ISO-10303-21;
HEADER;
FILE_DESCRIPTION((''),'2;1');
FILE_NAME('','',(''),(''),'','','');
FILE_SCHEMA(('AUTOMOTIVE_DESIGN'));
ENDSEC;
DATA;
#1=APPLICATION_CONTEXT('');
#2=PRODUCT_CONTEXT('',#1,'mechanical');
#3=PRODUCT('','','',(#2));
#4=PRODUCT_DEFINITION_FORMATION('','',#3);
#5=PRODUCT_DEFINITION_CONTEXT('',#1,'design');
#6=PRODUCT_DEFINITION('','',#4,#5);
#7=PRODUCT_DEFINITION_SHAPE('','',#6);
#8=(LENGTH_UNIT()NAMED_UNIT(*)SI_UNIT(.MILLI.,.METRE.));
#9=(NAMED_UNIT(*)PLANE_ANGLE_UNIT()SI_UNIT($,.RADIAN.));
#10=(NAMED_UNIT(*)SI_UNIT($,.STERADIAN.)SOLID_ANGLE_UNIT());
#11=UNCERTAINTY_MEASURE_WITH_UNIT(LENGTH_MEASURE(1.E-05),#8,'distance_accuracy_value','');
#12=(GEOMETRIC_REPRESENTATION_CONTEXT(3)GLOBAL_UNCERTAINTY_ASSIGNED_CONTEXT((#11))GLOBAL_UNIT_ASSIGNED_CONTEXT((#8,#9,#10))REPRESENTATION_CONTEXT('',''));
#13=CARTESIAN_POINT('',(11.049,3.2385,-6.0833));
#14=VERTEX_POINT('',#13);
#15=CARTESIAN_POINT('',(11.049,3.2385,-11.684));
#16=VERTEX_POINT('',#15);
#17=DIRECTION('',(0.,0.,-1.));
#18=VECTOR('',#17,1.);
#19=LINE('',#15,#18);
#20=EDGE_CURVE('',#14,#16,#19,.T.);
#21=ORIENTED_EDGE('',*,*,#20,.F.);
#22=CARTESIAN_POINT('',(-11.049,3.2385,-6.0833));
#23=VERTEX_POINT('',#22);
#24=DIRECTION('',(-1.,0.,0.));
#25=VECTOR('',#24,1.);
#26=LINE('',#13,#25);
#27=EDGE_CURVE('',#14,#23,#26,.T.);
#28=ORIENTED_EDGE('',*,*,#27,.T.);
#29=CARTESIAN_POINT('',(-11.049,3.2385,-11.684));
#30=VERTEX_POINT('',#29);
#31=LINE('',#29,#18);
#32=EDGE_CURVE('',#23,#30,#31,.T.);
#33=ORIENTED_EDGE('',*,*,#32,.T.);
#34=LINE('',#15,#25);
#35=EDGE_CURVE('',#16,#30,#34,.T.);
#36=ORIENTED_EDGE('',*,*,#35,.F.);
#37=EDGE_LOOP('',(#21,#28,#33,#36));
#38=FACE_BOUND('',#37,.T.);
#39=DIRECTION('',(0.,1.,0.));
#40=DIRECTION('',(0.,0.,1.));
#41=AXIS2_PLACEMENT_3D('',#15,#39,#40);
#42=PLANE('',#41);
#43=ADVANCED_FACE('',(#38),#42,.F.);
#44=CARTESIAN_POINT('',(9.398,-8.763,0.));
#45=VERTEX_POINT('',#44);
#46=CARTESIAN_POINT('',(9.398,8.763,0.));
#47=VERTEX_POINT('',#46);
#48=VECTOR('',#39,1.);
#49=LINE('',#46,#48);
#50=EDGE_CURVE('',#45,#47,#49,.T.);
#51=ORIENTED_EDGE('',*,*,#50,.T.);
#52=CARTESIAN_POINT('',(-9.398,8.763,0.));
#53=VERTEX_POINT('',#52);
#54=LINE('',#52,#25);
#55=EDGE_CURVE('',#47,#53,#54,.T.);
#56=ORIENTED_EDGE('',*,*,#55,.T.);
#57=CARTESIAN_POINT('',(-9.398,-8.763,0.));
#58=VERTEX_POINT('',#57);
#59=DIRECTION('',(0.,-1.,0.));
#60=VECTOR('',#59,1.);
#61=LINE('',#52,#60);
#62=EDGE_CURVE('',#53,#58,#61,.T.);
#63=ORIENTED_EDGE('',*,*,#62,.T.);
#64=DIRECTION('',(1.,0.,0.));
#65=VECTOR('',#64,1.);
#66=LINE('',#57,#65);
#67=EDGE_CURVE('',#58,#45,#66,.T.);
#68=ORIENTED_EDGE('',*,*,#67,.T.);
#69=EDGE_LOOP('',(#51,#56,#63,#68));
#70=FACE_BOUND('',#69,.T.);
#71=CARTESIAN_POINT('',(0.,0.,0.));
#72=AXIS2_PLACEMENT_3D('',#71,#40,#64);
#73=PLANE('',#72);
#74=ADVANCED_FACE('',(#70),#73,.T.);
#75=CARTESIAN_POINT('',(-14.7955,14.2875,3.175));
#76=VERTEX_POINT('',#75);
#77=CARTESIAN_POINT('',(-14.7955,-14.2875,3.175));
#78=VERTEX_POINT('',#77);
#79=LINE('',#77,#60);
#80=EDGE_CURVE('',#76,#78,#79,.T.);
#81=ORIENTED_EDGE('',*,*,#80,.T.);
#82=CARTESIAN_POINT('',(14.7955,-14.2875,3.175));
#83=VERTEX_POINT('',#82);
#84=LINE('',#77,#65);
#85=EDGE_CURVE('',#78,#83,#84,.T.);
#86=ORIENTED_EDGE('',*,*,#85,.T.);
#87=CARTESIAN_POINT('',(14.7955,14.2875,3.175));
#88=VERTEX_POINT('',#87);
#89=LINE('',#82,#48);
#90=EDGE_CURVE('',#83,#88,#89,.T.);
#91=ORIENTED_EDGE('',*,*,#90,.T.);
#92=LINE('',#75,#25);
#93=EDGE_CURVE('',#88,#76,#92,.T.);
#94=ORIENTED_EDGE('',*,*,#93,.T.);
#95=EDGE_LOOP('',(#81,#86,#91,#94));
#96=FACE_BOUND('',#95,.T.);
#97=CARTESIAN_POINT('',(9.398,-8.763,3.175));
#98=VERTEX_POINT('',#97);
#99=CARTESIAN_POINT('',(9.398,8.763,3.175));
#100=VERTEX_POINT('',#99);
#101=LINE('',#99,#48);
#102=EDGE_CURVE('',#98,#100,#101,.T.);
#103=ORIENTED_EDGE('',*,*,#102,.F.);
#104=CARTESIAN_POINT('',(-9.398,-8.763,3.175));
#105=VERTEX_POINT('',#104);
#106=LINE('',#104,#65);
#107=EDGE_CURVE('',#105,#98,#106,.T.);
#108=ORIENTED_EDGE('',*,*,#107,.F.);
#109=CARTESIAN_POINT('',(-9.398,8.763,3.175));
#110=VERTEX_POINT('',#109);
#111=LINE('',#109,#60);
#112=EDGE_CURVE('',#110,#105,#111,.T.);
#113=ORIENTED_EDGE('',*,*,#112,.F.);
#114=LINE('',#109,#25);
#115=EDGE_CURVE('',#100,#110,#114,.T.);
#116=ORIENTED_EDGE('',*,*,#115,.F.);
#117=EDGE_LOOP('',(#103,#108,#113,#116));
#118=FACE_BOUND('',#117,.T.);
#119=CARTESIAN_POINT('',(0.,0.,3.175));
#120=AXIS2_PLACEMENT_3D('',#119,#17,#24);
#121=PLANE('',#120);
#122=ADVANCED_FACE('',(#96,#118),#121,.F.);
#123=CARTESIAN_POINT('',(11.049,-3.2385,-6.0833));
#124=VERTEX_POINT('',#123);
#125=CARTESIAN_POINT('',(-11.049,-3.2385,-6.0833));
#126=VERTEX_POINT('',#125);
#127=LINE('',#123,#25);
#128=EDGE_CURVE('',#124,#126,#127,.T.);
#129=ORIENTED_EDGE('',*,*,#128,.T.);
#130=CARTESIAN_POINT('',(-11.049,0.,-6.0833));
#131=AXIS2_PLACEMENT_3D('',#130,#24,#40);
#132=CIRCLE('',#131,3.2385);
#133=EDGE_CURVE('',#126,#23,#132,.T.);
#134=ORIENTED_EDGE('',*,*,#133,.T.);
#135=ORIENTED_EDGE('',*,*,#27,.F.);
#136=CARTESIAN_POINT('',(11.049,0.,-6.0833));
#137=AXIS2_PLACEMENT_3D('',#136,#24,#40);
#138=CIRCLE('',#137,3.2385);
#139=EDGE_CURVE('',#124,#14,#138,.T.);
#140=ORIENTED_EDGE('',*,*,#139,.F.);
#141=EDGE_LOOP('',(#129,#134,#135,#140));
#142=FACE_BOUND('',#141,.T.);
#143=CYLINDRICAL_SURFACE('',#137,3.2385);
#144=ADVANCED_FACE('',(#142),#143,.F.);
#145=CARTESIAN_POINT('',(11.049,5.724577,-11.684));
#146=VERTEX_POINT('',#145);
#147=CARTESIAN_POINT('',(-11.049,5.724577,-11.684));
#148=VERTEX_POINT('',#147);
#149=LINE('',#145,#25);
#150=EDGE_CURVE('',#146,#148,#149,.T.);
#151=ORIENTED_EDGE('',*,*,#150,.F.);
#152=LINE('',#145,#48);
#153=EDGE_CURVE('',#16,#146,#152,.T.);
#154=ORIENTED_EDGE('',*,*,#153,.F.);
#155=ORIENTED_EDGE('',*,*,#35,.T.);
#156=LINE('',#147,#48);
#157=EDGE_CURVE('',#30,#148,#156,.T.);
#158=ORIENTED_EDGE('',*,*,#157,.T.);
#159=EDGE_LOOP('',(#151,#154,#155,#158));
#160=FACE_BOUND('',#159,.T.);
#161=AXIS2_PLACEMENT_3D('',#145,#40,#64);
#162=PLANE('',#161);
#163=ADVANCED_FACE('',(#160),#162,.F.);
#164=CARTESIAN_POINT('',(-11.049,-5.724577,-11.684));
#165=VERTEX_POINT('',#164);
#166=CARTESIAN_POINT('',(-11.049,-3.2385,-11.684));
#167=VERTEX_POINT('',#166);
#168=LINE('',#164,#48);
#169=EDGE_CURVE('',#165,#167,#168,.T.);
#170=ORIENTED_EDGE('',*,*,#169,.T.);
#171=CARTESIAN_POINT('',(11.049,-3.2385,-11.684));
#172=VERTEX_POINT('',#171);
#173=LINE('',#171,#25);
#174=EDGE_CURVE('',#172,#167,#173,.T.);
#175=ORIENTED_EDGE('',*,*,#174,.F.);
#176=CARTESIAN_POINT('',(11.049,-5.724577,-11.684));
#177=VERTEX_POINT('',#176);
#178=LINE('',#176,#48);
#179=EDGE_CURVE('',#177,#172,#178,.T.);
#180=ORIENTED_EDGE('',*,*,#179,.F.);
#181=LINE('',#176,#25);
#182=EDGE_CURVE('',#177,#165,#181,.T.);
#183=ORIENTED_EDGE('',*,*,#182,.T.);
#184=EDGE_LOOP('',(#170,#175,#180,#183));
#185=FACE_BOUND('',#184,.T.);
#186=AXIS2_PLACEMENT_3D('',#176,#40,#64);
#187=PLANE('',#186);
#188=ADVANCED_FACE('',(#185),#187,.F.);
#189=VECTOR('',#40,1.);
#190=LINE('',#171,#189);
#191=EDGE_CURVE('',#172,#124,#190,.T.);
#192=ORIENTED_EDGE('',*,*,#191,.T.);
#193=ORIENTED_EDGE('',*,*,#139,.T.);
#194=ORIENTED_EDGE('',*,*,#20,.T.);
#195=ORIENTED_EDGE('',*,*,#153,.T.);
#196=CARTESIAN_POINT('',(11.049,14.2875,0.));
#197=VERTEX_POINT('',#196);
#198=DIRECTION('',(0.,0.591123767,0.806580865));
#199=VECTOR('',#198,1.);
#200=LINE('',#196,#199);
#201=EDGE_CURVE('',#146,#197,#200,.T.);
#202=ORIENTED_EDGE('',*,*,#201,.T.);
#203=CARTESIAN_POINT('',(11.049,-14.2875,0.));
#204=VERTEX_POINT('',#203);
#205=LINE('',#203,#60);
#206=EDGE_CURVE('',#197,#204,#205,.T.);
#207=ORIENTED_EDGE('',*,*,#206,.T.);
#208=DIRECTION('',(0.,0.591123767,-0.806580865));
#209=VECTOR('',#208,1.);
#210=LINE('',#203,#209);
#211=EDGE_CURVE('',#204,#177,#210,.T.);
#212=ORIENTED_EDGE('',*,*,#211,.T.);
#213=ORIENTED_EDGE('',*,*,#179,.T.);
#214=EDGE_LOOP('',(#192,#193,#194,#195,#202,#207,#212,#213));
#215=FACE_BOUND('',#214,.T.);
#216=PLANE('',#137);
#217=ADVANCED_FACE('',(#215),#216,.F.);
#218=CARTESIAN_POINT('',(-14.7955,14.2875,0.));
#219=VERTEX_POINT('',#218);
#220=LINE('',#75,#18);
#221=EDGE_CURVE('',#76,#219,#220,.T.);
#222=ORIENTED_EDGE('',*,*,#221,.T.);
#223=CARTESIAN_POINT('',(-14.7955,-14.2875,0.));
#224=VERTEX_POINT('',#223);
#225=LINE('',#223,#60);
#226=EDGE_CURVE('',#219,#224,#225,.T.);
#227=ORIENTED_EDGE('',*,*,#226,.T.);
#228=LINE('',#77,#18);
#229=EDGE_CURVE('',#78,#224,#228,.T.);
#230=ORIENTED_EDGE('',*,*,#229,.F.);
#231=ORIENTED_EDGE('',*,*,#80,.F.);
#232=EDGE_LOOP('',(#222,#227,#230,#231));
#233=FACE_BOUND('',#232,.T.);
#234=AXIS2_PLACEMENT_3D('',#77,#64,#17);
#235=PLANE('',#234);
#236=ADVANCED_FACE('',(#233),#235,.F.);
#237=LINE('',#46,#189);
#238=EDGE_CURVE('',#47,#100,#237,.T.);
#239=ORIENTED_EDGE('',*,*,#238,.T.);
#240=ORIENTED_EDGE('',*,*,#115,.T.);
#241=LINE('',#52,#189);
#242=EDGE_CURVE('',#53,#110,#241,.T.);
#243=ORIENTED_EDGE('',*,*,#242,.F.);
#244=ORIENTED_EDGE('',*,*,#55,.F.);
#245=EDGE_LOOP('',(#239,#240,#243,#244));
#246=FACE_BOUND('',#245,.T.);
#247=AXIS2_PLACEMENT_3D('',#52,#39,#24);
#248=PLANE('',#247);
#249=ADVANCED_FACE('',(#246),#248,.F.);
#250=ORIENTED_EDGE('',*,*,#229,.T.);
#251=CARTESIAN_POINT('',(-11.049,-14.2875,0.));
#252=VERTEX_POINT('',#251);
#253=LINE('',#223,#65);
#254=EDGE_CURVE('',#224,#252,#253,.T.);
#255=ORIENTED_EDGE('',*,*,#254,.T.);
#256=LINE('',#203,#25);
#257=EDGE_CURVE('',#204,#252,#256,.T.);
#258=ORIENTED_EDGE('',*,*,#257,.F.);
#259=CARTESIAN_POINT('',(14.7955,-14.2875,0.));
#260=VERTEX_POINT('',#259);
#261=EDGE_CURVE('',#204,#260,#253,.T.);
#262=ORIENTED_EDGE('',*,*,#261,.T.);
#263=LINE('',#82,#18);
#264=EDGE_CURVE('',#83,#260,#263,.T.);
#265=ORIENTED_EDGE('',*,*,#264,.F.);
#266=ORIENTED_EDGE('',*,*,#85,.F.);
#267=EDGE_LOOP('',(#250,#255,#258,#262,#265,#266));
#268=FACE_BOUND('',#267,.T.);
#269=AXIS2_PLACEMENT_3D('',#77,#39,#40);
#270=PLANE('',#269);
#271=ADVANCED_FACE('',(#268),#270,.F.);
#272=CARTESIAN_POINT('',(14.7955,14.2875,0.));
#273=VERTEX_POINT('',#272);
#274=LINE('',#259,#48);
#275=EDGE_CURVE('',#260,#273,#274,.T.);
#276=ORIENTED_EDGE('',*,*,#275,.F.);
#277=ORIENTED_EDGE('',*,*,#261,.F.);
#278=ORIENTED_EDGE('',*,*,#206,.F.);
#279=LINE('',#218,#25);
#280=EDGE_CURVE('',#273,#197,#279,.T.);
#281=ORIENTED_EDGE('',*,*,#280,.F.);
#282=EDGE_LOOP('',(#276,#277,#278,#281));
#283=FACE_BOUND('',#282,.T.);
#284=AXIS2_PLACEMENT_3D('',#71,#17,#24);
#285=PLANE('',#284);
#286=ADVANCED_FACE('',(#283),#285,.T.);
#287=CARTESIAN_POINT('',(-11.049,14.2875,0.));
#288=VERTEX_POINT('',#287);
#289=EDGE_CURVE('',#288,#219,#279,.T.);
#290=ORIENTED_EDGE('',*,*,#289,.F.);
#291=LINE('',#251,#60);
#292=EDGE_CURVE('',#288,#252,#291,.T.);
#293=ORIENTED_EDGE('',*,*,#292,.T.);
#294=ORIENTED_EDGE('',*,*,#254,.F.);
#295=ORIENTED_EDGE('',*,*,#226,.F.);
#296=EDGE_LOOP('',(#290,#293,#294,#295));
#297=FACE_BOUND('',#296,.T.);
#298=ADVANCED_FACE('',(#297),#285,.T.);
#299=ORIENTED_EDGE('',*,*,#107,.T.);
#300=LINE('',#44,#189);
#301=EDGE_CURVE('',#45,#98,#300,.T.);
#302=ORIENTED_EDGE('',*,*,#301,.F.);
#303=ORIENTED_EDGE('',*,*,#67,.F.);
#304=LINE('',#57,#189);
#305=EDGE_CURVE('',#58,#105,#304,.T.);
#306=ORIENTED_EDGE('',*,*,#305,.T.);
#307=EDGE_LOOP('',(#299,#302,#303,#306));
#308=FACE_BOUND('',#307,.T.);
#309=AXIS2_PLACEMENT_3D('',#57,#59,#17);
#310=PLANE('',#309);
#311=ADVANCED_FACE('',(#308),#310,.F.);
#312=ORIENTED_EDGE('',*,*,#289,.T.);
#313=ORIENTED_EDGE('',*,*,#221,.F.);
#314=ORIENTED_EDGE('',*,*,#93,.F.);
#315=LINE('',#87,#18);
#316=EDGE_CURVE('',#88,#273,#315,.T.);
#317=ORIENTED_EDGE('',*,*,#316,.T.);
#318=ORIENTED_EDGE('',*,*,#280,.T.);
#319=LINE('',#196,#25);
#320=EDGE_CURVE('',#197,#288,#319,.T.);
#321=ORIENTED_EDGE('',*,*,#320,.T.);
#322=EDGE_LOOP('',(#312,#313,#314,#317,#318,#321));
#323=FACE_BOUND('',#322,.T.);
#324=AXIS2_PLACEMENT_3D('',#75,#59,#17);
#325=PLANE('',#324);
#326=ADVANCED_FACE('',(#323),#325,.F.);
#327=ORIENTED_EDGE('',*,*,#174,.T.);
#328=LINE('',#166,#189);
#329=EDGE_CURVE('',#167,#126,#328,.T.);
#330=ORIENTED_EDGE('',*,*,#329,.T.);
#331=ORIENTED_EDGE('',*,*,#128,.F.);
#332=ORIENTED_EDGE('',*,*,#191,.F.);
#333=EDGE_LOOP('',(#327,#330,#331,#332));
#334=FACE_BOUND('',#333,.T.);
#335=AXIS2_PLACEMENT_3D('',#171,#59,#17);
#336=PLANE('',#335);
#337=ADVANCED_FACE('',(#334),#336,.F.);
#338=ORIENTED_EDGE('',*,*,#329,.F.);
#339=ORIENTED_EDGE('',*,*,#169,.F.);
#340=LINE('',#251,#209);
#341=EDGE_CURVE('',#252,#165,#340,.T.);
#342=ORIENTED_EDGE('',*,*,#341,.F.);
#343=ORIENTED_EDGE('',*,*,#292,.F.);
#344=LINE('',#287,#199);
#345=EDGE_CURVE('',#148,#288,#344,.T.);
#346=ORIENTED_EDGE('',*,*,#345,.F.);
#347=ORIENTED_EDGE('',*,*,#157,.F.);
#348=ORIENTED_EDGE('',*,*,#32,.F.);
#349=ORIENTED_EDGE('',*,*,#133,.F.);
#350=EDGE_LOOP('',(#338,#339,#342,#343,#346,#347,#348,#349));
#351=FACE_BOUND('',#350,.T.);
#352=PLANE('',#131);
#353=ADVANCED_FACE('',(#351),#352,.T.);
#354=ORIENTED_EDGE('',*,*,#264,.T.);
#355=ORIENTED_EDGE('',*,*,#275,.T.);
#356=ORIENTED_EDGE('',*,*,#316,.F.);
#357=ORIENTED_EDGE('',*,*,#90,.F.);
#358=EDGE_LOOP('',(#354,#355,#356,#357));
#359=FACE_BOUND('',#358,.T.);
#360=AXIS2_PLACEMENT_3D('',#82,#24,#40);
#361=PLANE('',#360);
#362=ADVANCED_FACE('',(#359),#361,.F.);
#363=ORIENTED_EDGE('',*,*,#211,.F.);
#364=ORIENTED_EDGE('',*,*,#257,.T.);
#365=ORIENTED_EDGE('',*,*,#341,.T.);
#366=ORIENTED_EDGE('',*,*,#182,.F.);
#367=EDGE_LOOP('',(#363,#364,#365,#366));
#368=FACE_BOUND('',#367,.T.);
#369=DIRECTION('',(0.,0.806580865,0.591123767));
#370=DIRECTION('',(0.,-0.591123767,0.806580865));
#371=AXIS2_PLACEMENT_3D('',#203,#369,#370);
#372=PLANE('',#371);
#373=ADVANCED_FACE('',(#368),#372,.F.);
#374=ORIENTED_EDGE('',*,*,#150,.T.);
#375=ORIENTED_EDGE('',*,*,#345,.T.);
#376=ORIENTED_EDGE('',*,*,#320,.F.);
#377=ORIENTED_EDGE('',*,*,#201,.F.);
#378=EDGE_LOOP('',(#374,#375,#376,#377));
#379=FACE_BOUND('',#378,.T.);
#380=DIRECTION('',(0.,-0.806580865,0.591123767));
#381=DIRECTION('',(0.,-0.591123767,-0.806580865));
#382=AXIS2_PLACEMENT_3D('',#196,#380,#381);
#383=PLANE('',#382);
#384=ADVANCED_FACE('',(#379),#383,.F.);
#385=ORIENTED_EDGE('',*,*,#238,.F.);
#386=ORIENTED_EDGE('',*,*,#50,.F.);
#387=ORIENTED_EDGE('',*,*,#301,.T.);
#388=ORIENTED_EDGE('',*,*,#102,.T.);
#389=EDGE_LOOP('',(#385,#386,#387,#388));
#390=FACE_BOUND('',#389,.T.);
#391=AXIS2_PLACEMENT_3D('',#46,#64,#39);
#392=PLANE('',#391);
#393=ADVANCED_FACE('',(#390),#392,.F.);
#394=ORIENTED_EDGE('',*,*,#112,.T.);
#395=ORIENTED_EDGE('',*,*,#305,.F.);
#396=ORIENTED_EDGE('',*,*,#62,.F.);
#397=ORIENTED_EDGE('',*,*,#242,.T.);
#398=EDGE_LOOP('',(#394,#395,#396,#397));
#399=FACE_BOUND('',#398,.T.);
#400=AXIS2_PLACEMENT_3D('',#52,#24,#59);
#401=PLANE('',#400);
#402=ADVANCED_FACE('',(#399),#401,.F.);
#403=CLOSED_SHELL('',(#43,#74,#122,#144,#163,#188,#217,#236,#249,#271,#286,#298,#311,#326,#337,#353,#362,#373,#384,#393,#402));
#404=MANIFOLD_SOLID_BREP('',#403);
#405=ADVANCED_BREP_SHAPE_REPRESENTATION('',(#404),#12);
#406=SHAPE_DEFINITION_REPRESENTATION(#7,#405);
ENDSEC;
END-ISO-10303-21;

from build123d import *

# Parameters (mm, degrees)
SKETCH1_W           = 29.591
SKETCH1_H           = 28.575
BOSS_EXTRUDE1_DEPTH = 3.175
BOSS_EXTRUDE2_DEPTH = 11.049
SKETCH3_W           = 18.796
SKETCH3_H           = 17.526
CUT_EXTRUDE1_DEPTH  = 3.175


with BuildPart() as part:
    # Sketch1 → Boss-Extrude1 (new body)
    with BuildSketch(Plane.XY):
        Rectangle(SKETCH1_W, SKETCH1_H)
    extrude(amount=BOSS_EXTRUDE1_DEPTH)

    # Sketch2 → Boss-Extrude2 (add, symmetric)
    with BuildSketch(Plane(origin=(0, 0, 0), x_dir=(0, 0, -1), z_dir=(1, 0, 0))):
        with BuildLine():
            Line((0, -14.2875), (11.684, -5.724576677))
            Line((11.684, -5.724576677), (11.684, -3.2385))
            Line((11.684, -3.2385), (6.0833, -3.2385))
            ThreePointArc((6.0833, -3.2385), (2.8448, 0), (6.0833, 3.2385))
            Line((6.0833, 3.2385), (11.684, 3.2385))
            Line((11.684, 3.2385), (11.684, 5.724576677))
            Line((11.684, 5.724576677), (0, 14.2875))
            Line((0, 14.2875), (0, -14.2875))
        make_face()
    extrude(amount=BOSS_EXTRUDE2_DEPTH, both=True)

    # Sketch3 → Cut-Extrude1 (cut)
    with BuildSketch(Plane.XY.offset(3.175)):
        Rectangle(SKETCH3_W, SKETCH3_H)
    extrude(amount=-CUT_EXTRUDE1_DEPTH, mode=Mode.SUBTRACT)


solid = part.part
